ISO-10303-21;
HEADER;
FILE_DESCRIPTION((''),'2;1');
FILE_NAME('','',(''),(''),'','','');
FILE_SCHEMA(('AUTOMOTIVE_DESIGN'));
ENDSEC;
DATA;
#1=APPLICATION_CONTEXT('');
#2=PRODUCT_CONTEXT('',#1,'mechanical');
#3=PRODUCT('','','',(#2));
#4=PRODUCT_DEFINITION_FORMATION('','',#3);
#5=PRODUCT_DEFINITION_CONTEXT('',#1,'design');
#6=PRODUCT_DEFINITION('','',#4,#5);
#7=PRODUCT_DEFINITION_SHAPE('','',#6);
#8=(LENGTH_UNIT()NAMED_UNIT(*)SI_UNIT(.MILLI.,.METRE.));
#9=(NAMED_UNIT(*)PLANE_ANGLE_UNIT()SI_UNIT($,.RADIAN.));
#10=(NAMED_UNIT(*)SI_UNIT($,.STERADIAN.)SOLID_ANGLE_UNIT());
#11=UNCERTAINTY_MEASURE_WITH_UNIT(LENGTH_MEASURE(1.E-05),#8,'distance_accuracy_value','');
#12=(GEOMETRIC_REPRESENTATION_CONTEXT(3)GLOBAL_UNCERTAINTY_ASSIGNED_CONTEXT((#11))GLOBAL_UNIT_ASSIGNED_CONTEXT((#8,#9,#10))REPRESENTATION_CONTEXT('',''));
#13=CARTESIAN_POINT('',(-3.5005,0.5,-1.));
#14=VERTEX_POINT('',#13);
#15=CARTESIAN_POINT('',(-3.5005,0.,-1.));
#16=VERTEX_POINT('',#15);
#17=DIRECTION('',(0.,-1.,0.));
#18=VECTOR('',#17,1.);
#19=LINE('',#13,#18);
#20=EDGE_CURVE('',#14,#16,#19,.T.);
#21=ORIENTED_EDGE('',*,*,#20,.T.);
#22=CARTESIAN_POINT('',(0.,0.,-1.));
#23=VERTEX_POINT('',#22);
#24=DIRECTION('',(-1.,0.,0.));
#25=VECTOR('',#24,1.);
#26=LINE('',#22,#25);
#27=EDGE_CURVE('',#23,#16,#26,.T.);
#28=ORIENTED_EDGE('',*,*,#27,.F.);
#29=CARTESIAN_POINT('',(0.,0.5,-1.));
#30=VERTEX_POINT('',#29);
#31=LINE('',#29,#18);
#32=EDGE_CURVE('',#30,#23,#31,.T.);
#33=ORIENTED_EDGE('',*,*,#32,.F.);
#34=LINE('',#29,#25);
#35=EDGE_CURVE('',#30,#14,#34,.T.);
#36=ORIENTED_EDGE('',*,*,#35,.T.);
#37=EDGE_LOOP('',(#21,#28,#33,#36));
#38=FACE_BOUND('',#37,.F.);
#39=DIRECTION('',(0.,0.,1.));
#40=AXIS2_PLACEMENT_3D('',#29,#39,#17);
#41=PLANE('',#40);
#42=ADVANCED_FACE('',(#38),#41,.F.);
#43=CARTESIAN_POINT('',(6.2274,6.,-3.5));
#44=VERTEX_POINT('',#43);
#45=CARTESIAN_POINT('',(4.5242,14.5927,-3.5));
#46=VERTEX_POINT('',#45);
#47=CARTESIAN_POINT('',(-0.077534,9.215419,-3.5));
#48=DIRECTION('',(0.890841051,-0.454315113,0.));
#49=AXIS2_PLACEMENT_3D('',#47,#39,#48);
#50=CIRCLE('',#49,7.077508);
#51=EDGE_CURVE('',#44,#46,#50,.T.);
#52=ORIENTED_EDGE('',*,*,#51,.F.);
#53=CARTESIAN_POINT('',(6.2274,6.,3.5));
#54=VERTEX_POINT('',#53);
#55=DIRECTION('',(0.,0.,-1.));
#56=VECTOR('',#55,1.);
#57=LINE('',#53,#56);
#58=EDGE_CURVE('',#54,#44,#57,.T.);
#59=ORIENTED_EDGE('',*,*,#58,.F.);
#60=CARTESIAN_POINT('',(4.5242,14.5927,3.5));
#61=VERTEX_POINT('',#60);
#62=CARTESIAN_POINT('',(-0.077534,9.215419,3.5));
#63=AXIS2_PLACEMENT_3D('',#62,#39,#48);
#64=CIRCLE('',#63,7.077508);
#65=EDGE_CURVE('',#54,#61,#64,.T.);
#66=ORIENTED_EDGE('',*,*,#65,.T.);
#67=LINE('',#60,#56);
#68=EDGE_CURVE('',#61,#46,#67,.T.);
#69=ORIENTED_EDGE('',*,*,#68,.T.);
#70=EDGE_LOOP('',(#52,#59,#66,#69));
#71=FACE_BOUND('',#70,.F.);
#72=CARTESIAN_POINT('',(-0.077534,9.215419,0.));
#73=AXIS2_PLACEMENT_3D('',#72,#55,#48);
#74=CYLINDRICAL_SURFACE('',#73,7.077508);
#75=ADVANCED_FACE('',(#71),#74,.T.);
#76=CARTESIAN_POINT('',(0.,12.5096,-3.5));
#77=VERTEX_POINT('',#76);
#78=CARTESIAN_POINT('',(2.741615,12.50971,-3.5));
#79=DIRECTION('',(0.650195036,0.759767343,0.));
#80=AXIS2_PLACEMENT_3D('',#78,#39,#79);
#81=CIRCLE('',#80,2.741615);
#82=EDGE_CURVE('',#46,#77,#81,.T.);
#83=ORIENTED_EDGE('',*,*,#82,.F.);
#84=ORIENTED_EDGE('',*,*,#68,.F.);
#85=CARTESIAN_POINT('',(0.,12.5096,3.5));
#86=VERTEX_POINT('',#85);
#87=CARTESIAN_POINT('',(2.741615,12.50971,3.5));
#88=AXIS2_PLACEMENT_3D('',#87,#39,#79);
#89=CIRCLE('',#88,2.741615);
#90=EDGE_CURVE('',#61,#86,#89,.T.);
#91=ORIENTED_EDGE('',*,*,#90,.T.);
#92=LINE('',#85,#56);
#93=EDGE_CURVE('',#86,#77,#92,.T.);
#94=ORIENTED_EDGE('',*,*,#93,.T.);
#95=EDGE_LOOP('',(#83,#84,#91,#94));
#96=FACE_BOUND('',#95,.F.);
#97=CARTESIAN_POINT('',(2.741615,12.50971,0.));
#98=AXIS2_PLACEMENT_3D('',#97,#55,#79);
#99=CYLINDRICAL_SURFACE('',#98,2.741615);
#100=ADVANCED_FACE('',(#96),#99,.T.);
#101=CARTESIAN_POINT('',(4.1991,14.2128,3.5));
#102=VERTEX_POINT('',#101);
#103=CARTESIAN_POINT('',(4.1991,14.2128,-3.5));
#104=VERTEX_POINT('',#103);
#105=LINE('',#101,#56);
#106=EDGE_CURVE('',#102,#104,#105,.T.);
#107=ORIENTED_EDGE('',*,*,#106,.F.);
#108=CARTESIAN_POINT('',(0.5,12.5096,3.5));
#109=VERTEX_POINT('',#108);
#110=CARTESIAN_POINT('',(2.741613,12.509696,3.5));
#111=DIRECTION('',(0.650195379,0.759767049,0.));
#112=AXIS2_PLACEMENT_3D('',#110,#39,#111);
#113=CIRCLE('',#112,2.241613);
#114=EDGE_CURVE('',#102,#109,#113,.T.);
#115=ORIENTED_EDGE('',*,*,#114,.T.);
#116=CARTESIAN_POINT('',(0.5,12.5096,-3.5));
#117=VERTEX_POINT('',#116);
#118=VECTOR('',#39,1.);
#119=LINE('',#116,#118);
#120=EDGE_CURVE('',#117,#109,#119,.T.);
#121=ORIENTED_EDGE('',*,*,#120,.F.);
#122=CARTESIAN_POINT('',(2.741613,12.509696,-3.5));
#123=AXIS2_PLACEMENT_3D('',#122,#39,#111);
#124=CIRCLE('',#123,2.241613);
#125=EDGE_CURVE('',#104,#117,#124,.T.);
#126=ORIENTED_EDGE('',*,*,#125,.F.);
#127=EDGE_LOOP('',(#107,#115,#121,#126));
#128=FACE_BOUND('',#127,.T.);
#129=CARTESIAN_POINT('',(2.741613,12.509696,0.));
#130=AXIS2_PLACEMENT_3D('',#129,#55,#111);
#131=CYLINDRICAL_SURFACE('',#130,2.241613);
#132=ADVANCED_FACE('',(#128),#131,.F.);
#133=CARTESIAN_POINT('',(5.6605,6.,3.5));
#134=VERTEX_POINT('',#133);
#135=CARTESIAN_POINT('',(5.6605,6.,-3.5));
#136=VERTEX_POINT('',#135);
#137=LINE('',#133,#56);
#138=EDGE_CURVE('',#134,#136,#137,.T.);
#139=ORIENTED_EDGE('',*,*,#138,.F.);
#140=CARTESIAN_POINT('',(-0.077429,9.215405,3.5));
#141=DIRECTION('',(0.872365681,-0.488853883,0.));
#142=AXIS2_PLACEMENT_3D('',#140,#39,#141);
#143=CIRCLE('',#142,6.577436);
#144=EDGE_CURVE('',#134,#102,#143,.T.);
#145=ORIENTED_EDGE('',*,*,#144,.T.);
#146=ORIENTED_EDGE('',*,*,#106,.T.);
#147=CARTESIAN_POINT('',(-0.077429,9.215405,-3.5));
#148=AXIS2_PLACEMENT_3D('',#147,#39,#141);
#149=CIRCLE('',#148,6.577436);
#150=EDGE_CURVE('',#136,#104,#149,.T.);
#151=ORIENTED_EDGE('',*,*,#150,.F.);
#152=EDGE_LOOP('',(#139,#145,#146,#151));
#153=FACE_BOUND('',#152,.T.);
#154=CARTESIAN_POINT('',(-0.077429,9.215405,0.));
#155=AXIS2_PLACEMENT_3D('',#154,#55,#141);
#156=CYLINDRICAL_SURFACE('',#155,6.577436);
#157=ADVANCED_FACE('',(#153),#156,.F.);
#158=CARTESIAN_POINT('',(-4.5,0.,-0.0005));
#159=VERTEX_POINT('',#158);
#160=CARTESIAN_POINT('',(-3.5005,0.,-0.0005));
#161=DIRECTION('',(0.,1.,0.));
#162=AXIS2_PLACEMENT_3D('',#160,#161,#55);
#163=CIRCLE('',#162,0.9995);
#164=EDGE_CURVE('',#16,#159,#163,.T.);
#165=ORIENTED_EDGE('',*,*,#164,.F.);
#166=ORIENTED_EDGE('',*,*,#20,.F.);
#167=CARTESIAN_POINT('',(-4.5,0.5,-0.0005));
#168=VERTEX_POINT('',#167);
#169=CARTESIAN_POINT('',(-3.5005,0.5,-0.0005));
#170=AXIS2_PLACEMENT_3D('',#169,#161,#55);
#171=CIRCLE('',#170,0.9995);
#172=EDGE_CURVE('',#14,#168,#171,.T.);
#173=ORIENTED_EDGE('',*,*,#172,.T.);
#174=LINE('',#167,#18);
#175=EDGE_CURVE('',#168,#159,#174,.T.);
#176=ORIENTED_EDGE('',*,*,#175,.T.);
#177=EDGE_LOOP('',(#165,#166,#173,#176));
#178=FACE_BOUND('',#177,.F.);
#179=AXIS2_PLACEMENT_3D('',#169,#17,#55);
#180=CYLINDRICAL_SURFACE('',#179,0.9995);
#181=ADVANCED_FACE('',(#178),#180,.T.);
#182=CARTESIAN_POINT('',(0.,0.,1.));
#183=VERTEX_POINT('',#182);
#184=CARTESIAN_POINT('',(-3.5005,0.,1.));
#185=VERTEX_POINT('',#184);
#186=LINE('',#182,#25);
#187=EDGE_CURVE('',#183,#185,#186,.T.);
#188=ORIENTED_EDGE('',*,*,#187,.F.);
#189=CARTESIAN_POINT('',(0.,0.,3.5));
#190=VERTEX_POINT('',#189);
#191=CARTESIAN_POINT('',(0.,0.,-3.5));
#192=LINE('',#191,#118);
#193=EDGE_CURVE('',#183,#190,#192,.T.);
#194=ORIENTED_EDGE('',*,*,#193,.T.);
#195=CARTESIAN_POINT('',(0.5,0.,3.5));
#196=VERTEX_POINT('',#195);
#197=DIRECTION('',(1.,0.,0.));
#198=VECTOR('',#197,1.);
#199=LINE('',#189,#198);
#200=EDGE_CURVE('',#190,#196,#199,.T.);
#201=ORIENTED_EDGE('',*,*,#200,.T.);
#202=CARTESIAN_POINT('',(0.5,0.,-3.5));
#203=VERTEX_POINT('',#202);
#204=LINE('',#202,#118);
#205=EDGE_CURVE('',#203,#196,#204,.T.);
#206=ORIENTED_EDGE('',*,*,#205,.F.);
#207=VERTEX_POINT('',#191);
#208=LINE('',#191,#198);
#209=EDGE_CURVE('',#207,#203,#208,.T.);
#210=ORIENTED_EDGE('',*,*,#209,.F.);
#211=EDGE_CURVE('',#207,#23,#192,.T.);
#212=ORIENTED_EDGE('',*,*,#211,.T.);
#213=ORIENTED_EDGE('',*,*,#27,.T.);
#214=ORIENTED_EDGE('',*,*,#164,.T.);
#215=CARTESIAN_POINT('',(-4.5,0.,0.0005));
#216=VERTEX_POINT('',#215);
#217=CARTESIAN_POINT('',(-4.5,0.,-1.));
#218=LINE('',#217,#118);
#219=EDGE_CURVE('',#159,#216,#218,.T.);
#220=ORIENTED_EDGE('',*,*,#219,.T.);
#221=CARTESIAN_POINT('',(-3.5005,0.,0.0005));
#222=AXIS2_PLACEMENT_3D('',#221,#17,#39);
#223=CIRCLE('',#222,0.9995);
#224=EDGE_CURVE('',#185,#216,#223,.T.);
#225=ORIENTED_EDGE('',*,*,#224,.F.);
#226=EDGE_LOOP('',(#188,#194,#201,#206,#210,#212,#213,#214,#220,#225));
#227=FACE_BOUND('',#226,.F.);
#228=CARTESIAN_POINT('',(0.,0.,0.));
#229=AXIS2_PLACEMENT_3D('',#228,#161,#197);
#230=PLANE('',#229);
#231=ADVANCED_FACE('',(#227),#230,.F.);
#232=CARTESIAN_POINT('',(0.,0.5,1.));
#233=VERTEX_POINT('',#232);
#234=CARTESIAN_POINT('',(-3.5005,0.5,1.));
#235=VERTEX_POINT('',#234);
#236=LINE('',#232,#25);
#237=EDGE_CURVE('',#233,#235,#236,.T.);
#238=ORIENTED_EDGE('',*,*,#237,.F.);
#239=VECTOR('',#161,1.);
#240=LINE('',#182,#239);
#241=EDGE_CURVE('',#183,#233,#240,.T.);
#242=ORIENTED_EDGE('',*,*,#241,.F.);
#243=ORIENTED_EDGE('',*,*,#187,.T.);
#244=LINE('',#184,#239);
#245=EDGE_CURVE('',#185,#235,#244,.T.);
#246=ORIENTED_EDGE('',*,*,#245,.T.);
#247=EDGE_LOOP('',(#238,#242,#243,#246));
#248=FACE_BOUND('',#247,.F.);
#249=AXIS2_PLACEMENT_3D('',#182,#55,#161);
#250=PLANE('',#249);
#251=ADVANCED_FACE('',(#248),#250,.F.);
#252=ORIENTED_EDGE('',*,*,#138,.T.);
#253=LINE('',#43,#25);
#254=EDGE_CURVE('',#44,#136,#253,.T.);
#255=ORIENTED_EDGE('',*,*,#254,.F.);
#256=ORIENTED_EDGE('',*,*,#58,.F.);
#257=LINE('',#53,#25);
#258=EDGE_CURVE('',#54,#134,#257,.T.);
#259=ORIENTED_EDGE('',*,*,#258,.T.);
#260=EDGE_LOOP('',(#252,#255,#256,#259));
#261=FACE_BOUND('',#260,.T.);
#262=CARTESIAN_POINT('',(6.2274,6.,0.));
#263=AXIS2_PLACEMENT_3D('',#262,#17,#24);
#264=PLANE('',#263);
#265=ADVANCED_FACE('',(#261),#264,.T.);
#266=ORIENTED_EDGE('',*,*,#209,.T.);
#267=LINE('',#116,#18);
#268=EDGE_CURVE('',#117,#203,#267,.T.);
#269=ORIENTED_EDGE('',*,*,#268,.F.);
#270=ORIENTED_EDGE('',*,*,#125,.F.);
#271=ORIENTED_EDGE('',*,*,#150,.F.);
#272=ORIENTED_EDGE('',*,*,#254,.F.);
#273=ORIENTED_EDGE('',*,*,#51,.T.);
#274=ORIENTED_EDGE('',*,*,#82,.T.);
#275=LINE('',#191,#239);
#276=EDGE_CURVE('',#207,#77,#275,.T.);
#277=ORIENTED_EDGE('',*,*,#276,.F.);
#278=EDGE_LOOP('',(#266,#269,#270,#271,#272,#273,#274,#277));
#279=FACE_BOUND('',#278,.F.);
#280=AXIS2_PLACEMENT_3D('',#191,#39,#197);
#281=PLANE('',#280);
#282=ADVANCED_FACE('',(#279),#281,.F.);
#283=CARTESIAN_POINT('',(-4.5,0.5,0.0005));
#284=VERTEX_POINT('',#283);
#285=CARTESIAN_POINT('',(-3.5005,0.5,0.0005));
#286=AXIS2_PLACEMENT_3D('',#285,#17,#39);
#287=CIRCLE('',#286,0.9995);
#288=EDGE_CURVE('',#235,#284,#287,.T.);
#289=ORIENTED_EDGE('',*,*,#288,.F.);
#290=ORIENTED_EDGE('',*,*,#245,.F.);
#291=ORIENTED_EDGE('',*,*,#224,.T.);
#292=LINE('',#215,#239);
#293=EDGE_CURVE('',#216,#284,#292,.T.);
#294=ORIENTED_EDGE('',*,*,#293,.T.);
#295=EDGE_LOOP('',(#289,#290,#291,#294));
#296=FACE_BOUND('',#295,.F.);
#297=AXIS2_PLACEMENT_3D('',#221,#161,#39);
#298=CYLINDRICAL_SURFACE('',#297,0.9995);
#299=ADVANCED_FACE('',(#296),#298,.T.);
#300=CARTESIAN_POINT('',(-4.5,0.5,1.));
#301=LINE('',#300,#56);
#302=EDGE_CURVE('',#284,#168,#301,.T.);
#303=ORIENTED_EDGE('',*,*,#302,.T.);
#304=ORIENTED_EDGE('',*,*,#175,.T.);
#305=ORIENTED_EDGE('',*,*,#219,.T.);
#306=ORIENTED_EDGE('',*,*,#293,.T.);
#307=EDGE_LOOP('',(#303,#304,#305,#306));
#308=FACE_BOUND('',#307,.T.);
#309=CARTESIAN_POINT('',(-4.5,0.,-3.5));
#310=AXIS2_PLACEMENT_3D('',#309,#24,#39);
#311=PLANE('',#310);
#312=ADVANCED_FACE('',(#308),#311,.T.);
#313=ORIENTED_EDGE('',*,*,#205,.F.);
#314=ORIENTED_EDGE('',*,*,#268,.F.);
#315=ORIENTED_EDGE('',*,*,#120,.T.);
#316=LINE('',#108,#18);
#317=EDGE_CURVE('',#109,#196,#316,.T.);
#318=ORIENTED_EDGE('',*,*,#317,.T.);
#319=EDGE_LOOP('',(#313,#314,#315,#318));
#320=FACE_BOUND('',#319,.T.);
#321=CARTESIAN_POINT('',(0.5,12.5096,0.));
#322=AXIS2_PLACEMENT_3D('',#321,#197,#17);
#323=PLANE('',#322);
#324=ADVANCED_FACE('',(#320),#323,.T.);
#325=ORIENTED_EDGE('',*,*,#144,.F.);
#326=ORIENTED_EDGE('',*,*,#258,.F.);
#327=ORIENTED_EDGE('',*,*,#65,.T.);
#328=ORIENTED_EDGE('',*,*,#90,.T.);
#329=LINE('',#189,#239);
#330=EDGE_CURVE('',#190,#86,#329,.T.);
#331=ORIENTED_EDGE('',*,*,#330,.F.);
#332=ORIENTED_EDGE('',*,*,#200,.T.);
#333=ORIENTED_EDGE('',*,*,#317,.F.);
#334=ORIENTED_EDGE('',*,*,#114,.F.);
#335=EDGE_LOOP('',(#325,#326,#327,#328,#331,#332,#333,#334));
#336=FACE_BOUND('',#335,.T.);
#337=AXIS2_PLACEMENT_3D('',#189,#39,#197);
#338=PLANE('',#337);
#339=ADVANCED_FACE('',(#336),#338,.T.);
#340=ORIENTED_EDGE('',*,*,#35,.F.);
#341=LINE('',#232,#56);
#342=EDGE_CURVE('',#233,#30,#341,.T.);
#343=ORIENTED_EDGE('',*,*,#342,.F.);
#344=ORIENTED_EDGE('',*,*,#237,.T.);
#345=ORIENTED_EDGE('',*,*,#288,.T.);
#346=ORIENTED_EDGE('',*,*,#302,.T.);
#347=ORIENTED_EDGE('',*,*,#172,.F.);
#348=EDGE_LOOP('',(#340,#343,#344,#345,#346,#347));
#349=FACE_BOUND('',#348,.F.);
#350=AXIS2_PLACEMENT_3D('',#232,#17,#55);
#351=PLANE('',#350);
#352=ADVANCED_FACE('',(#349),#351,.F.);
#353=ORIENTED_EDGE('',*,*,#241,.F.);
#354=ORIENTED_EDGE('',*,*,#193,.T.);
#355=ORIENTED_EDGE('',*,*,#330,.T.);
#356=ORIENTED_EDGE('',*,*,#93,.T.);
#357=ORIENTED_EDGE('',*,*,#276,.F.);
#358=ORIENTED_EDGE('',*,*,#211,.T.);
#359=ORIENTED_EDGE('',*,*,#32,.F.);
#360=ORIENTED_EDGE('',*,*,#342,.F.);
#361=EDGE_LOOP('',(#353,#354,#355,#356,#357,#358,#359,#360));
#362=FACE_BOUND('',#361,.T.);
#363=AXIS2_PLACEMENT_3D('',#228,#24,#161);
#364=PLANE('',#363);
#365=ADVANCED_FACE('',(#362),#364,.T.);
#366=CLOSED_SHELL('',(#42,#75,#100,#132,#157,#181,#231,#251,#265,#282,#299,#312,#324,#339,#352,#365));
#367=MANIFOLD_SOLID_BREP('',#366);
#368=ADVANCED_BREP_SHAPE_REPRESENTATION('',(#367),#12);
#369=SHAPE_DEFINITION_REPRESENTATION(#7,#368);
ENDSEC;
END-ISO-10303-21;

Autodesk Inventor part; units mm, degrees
ref_plane "YZ Plane" through (0, 0, 0) normal (1, 0, 0) x (0, 1, 0)
ref_plane "XZ Plane" through (0, 0, 0) normal (0, 1, 0) x (-1, 0, 0)
ref_plane "XY Plane" through (0, 0, 0) normal (0, 0, 1) x (1, 0, 0)
sketch "Sketch1" plane through (0, 0, 0) normal (0, 0, 1) x (1, 0, 0)
  line L0 (0, 0) -> (0, 12.5096)
  arc A0 (4.5242, 14.5927) -> (0, 12.5096) centre (2.7416, 12.5096) ccw
  arc A1 (6.2274, 6) -> (4.5242, 14.5927) centre (-0.0774, 9.2154) ccw
  line L1 (6.2274, 6) -> (5.6605, 6)
  arc A2 (5.6605, 6) -> (4.1991, 14.2128) centre (-0.0774, 9.2154) ccw
  arc A3 (4.1991, 14.2128) -> (0.5, 12.5096) centre (2.7416, 12.5096) ccw
  line L2 (0.5, 12.5096) -> (0.5, 0)
  line L3 (0, 0) -> (0.5, 0)
  line L4 (7, 9.2154) -> (7, 0)
  point P0 (0.25, 0)
  point P1 (1.595, 15)
  point P2 (5.9439, 6)
  point P3 (6.8649, 10.5915)
  dimension "d0" = 0.5
  dimension "d1" = 15
  dimension "d2" = 6
  dimension "d4" = 7
extrude "Extrusion1" add sketch "Sketch1" along normal mid plane 7
sketch "Sketch2" plane through (0, 0, -3.5) normal (-1, 0, 0) x (0, 0, 1)
  line L0 (2.5, 0) -> (4.5, 0)
  line L1 (4.5, 0) -> (4.5, 0.5)
  line L2 (4.5, 0.5) -> (2.5, 0.5)
  line L3 (2.5, 0.5) -> (2.5, 0)
  line L4 (0, 0) -> (7, 0) projected
  point P0 (3.5, 0.5)
  point P1 (3.5, 0)
  dimension "d8" = 2
extrude "Extrusion2" add sketch "Sketch2" along normal blind 4.5
fillet "Fillet1" radius 1 2 edges at (-4.5, 0.25, 1) (-4.5, 0.25, -1)
properties part number "Holder_Metal"
